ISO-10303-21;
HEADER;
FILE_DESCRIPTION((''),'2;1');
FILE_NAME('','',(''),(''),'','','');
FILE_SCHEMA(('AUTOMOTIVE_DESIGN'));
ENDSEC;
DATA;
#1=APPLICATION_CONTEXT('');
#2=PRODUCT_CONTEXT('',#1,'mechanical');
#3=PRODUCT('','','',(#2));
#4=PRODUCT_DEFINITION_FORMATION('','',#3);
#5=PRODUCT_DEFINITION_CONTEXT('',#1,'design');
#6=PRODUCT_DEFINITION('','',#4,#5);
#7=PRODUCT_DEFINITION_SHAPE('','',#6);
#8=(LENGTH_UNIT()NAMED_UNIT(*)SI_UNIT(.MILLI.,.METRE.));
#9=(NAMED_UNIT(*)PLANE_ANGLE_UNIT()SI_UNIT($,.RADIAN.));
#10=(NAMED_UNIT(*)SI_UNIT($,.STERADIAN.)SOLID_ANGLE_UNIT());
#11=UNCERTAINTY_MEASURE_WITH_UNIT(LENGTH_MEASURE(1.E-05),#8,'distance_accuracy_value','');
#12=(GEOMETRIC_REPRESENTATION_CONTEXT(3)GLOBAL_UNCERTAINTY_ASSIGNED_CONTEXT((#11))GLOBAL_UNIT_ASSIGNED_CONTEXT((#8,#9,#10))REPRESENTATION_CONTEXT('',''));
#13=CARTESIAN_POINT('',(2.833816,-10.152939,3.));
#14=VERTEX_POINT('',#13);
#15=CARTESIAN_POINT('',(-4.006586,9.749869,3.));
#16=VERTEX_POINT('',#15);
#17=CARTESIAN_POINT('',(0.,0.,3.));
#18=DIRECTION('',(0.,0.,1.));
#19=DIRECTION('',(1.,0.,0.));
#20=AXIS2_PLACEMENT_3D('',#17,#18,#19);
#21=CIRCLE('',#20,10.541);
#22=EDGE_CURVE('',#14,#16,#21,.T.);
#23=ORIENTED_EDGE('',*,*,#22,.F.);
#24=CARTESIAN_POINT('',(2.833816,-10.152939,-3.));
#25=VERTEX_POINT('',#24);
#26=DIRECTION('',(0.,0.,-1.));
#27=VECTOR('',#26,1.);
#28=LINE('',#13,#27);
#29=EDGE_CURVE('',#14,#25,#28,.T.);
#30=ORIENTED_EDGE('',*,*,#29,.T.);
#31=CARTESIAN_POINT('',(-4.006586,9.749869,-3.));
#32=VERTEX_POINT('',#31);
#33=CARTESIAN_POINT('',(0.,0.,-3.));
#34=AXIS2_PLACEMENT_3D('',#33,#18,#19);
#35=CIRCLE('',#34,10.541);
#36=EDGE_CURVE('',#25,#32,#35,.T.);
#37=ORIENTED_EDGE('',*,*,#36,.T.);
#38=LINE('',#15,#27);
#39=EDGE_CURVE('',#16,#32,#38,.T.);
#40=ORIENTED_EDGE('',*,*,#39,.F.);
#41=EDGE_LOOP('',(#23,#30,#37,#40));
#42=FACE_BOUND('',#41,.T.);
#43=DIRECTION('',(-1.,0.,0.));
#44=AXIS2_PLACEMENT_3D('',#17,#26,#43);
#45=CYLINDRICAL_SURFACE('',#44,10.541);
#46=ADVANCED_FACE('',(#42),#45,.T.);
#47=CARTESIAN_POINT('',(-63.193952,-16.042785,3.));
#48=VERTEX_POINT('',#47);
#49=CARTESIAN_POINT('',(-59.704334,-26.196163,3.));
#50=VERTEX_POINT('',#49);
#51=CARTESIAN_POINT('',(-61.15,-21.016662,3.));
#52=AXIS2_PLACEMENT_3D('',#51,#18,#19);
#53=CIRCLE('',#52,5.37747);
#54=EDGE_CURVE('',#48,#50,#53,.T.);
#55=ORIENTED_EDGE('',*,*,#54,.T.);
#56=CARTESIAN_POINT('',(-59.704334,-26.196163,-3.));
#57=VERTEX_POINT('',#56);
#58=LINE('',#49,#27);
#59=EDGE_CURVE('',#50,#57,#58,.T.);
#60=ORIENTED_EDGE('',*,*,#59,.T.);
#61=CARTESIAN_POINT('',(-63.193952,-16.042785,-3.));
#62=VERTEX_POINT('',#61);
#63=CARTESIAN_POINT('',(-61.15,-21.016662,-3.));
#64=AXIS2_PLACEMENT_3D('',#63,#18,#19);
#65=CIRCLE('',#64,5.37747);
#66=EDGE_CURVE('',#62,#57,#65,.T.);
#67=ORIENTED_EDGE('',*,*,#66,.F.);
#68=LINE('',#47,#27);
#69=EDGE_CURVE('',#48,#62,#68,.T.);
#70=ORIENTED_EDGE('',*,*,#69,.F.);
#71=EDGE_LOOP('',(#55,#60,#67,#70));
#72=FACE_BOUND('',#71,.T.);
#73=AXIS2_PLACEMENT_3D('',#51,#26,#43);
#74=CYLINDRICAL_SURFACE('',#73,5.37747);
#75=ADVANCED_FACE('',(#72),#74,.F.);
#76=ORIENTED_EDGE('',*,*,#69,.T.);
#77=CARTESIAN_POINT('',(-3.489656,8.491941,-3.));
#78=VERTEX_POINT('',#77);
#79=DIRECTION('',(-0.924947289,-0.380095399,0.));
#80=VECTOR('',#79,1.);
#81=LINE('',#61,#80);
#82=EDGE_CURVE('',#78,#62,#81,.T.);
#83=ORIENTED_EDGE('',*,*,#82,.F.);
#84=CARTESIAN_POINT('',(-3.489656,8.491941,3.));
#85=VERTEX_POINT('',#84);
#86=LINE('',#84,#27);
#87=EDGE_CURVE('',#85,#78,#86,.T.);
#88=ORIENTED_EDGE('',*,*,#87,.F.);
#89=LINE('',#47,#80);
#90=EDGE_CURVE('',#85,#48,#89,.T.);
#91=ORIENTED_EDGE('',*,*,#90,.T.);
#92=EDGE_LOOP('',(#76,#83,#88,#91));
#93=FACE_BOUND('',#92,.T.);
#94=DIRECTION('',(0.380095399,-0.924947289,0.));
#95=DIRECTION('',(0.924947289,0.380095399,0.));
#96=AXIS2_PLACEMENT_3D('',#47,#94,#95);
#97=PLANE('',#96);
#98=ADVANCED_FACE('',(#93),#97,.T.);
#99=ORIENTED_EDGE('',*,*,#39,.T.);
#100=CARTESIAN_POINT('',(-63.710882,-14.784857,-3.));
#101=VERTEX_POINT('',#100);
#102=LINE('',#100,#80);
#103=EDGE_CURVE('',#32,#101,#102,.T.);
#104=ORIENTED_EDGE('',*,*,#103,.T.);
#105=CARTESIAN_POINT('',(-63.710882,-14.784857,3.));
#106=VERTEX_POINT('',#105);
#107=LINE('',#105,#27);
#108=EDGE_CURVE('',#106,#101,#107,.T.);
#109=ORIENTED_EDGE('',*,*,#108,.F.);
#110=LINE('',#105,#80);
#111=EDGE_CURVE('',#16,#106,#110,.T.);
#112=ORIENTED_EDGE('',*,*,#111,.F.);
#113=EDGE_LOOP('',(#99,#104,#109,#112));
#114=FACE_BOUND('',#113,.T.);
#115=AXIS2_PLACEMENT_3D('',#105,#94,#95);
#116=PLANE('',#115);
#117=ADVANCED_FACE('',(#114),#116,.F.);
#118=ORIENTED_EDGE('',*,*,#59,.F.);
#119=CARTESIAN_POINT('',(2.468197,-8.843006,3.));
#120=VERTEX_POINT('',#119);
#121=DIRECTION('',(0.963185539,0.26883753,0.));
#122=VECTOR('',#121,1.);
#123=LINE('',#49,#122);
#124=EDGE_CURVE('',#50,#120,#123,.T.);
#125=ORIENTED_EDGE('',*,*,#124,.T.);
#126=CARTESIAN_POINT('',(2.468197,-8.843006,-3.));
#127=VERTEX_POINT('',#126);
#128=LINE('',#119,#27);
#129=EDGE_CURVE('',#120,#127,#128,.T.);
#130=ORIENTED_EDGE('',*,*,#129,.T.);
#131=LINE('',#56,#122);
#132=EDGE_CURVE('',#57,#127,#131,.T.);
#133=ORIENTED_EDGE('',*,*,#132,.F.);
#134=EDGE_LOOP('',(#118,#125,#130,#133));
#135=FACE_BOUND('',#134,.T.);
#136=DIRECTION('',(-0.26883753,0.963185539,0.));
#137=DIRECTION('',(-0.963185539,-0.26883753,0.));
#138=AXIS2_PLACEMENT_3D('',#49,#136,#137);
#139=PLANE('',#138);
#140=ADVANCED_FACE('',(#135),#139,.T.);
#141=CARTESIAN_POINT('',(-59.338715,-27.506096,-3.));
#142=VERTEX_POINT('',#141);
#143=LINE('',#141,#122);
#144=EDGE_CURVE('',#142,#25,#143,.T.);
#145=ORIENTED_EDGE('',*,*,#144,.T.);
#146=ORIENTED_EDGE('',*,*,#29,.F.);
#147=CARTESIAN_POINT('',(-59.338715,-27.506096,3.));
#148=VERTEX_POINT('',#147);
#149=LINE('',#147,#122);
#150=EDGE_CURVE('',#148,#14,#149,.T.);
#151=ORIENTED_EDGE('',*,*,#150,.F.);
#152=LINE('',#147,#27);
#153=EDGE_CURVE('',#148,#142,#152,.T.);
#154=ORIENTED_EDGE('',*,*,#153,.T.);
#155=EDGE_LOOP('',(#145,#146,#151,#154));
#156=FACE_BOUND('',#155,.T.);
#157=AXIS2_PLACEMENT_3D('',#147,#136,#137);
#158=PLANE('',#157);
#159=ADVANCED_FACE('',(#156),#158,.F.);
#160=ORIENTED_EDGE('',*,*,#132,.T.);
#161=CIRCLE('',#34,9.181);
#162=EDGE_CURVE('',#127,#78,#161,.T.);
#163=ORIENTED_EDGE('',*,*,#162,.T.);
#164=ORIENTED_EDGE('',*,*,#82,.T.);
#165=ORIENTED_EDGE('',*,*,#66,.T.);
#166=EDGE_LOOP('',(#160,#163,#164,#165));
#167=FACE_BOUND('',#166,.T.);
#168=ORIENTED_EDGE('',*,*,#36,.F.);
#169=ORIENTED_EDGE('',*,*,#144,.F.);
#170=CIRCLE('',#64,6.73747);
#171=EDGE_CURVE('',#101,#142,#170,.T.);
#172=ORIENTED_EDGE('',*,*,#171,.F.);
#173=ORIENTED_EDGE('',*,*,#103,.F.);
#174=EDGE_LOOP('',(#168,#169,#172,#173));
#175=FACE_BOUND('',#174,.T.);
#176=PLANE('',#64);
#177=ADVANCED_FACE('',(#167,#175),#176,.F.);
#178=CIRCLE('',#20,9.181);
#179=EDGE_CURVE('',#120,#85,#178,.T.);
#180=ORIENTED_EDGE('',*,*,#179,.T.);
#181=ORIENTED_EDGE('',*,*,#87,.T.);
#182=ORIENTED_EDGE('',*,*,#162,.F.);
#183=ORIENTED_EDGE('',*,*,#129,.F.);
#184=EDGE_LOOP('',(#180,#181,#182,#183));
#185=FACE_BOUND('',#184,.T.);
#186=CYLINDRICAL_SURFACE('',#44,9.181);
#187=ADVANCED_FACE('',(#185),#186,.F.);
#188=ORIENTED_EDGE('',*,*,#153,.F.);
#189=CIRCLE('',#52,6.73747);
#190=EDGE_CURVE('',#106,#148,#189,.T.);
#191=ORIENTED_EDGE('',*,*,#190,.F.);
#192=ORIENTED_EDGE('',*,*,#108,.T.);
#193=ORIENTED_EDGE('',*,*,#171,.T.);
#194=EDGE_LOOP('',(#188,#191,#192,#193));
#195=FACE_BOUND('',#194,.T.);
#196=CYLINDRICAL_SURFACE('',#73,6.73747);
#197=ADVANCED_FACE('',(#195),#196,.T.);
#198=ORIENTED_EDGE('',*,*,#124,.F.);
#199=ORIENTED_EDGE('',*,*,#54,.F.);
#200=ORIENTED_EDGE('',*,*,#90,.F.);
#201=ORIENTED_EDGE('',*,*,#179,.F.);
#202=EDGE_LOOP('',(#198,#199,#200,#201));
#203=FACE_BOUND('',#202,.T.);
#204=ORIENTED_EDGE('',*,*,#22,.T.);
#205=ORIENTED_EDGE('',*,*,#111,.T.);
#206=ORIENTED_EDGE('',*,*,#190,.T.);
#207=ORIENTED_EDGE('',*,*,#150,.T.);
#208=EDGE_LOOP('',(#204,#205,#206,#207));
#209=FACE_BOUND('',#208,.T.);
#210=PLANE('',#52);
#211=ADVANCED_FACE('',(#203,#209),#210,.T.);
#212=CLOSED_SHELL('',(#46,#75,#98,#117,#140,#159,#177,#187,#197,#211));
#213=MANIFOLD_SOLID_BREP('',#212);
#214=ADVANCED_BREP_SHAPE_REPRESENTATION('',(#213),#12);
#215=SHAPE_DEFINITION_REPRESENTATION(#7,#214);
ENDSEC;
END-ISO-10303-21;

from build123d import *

# Parameters (mm, degrees)
BOSS_EXTRUDE1_DEPTH = 3


with BuildPart() as part:
    # Sketch2 → Boss-Extrude1 (new, symmetric)
    with BuildSketch(Plane.XY):
        with BuildLine():
            Line((-59.338715075, -27.506095706), (2.833816407, -10.152938765))
            ThreePointArc((2.833816407, -10.152938765), (9.9686654, 3.426133556), (-4.006585602, 9.749869374))
            Line((-4.006585602, 9.749869374), (-63.710881534, -14.784856506))
            ThreePointArc((-63.710881534, -14.784856506), (-67.521652491, -23.206536693), (-59.338715075, -27.506095706))
        make_face()
        with BuildLine():
            Line((-63.193951791, -16.042784819), (-3.489655859, 8.491941061))
            ThreePointArc((-3.489655859, 8.491941061), (8.68250802, 2.984093746), (2.468197366, -8.843006432))
            Line((2.468197366, -8.843006432), (-59.704334116, -26.196163373))
            ThreePointArc((-59.704334116, -26.196163373), (-66.235495111, -22.764496883), (-63.193951791, -16.042784819))
        make_face(mode=Mode.SUBTRACT)
    extrude(amount=BOSS_EXTRUDE1_DEPTH, both=True)


solid = part.part
